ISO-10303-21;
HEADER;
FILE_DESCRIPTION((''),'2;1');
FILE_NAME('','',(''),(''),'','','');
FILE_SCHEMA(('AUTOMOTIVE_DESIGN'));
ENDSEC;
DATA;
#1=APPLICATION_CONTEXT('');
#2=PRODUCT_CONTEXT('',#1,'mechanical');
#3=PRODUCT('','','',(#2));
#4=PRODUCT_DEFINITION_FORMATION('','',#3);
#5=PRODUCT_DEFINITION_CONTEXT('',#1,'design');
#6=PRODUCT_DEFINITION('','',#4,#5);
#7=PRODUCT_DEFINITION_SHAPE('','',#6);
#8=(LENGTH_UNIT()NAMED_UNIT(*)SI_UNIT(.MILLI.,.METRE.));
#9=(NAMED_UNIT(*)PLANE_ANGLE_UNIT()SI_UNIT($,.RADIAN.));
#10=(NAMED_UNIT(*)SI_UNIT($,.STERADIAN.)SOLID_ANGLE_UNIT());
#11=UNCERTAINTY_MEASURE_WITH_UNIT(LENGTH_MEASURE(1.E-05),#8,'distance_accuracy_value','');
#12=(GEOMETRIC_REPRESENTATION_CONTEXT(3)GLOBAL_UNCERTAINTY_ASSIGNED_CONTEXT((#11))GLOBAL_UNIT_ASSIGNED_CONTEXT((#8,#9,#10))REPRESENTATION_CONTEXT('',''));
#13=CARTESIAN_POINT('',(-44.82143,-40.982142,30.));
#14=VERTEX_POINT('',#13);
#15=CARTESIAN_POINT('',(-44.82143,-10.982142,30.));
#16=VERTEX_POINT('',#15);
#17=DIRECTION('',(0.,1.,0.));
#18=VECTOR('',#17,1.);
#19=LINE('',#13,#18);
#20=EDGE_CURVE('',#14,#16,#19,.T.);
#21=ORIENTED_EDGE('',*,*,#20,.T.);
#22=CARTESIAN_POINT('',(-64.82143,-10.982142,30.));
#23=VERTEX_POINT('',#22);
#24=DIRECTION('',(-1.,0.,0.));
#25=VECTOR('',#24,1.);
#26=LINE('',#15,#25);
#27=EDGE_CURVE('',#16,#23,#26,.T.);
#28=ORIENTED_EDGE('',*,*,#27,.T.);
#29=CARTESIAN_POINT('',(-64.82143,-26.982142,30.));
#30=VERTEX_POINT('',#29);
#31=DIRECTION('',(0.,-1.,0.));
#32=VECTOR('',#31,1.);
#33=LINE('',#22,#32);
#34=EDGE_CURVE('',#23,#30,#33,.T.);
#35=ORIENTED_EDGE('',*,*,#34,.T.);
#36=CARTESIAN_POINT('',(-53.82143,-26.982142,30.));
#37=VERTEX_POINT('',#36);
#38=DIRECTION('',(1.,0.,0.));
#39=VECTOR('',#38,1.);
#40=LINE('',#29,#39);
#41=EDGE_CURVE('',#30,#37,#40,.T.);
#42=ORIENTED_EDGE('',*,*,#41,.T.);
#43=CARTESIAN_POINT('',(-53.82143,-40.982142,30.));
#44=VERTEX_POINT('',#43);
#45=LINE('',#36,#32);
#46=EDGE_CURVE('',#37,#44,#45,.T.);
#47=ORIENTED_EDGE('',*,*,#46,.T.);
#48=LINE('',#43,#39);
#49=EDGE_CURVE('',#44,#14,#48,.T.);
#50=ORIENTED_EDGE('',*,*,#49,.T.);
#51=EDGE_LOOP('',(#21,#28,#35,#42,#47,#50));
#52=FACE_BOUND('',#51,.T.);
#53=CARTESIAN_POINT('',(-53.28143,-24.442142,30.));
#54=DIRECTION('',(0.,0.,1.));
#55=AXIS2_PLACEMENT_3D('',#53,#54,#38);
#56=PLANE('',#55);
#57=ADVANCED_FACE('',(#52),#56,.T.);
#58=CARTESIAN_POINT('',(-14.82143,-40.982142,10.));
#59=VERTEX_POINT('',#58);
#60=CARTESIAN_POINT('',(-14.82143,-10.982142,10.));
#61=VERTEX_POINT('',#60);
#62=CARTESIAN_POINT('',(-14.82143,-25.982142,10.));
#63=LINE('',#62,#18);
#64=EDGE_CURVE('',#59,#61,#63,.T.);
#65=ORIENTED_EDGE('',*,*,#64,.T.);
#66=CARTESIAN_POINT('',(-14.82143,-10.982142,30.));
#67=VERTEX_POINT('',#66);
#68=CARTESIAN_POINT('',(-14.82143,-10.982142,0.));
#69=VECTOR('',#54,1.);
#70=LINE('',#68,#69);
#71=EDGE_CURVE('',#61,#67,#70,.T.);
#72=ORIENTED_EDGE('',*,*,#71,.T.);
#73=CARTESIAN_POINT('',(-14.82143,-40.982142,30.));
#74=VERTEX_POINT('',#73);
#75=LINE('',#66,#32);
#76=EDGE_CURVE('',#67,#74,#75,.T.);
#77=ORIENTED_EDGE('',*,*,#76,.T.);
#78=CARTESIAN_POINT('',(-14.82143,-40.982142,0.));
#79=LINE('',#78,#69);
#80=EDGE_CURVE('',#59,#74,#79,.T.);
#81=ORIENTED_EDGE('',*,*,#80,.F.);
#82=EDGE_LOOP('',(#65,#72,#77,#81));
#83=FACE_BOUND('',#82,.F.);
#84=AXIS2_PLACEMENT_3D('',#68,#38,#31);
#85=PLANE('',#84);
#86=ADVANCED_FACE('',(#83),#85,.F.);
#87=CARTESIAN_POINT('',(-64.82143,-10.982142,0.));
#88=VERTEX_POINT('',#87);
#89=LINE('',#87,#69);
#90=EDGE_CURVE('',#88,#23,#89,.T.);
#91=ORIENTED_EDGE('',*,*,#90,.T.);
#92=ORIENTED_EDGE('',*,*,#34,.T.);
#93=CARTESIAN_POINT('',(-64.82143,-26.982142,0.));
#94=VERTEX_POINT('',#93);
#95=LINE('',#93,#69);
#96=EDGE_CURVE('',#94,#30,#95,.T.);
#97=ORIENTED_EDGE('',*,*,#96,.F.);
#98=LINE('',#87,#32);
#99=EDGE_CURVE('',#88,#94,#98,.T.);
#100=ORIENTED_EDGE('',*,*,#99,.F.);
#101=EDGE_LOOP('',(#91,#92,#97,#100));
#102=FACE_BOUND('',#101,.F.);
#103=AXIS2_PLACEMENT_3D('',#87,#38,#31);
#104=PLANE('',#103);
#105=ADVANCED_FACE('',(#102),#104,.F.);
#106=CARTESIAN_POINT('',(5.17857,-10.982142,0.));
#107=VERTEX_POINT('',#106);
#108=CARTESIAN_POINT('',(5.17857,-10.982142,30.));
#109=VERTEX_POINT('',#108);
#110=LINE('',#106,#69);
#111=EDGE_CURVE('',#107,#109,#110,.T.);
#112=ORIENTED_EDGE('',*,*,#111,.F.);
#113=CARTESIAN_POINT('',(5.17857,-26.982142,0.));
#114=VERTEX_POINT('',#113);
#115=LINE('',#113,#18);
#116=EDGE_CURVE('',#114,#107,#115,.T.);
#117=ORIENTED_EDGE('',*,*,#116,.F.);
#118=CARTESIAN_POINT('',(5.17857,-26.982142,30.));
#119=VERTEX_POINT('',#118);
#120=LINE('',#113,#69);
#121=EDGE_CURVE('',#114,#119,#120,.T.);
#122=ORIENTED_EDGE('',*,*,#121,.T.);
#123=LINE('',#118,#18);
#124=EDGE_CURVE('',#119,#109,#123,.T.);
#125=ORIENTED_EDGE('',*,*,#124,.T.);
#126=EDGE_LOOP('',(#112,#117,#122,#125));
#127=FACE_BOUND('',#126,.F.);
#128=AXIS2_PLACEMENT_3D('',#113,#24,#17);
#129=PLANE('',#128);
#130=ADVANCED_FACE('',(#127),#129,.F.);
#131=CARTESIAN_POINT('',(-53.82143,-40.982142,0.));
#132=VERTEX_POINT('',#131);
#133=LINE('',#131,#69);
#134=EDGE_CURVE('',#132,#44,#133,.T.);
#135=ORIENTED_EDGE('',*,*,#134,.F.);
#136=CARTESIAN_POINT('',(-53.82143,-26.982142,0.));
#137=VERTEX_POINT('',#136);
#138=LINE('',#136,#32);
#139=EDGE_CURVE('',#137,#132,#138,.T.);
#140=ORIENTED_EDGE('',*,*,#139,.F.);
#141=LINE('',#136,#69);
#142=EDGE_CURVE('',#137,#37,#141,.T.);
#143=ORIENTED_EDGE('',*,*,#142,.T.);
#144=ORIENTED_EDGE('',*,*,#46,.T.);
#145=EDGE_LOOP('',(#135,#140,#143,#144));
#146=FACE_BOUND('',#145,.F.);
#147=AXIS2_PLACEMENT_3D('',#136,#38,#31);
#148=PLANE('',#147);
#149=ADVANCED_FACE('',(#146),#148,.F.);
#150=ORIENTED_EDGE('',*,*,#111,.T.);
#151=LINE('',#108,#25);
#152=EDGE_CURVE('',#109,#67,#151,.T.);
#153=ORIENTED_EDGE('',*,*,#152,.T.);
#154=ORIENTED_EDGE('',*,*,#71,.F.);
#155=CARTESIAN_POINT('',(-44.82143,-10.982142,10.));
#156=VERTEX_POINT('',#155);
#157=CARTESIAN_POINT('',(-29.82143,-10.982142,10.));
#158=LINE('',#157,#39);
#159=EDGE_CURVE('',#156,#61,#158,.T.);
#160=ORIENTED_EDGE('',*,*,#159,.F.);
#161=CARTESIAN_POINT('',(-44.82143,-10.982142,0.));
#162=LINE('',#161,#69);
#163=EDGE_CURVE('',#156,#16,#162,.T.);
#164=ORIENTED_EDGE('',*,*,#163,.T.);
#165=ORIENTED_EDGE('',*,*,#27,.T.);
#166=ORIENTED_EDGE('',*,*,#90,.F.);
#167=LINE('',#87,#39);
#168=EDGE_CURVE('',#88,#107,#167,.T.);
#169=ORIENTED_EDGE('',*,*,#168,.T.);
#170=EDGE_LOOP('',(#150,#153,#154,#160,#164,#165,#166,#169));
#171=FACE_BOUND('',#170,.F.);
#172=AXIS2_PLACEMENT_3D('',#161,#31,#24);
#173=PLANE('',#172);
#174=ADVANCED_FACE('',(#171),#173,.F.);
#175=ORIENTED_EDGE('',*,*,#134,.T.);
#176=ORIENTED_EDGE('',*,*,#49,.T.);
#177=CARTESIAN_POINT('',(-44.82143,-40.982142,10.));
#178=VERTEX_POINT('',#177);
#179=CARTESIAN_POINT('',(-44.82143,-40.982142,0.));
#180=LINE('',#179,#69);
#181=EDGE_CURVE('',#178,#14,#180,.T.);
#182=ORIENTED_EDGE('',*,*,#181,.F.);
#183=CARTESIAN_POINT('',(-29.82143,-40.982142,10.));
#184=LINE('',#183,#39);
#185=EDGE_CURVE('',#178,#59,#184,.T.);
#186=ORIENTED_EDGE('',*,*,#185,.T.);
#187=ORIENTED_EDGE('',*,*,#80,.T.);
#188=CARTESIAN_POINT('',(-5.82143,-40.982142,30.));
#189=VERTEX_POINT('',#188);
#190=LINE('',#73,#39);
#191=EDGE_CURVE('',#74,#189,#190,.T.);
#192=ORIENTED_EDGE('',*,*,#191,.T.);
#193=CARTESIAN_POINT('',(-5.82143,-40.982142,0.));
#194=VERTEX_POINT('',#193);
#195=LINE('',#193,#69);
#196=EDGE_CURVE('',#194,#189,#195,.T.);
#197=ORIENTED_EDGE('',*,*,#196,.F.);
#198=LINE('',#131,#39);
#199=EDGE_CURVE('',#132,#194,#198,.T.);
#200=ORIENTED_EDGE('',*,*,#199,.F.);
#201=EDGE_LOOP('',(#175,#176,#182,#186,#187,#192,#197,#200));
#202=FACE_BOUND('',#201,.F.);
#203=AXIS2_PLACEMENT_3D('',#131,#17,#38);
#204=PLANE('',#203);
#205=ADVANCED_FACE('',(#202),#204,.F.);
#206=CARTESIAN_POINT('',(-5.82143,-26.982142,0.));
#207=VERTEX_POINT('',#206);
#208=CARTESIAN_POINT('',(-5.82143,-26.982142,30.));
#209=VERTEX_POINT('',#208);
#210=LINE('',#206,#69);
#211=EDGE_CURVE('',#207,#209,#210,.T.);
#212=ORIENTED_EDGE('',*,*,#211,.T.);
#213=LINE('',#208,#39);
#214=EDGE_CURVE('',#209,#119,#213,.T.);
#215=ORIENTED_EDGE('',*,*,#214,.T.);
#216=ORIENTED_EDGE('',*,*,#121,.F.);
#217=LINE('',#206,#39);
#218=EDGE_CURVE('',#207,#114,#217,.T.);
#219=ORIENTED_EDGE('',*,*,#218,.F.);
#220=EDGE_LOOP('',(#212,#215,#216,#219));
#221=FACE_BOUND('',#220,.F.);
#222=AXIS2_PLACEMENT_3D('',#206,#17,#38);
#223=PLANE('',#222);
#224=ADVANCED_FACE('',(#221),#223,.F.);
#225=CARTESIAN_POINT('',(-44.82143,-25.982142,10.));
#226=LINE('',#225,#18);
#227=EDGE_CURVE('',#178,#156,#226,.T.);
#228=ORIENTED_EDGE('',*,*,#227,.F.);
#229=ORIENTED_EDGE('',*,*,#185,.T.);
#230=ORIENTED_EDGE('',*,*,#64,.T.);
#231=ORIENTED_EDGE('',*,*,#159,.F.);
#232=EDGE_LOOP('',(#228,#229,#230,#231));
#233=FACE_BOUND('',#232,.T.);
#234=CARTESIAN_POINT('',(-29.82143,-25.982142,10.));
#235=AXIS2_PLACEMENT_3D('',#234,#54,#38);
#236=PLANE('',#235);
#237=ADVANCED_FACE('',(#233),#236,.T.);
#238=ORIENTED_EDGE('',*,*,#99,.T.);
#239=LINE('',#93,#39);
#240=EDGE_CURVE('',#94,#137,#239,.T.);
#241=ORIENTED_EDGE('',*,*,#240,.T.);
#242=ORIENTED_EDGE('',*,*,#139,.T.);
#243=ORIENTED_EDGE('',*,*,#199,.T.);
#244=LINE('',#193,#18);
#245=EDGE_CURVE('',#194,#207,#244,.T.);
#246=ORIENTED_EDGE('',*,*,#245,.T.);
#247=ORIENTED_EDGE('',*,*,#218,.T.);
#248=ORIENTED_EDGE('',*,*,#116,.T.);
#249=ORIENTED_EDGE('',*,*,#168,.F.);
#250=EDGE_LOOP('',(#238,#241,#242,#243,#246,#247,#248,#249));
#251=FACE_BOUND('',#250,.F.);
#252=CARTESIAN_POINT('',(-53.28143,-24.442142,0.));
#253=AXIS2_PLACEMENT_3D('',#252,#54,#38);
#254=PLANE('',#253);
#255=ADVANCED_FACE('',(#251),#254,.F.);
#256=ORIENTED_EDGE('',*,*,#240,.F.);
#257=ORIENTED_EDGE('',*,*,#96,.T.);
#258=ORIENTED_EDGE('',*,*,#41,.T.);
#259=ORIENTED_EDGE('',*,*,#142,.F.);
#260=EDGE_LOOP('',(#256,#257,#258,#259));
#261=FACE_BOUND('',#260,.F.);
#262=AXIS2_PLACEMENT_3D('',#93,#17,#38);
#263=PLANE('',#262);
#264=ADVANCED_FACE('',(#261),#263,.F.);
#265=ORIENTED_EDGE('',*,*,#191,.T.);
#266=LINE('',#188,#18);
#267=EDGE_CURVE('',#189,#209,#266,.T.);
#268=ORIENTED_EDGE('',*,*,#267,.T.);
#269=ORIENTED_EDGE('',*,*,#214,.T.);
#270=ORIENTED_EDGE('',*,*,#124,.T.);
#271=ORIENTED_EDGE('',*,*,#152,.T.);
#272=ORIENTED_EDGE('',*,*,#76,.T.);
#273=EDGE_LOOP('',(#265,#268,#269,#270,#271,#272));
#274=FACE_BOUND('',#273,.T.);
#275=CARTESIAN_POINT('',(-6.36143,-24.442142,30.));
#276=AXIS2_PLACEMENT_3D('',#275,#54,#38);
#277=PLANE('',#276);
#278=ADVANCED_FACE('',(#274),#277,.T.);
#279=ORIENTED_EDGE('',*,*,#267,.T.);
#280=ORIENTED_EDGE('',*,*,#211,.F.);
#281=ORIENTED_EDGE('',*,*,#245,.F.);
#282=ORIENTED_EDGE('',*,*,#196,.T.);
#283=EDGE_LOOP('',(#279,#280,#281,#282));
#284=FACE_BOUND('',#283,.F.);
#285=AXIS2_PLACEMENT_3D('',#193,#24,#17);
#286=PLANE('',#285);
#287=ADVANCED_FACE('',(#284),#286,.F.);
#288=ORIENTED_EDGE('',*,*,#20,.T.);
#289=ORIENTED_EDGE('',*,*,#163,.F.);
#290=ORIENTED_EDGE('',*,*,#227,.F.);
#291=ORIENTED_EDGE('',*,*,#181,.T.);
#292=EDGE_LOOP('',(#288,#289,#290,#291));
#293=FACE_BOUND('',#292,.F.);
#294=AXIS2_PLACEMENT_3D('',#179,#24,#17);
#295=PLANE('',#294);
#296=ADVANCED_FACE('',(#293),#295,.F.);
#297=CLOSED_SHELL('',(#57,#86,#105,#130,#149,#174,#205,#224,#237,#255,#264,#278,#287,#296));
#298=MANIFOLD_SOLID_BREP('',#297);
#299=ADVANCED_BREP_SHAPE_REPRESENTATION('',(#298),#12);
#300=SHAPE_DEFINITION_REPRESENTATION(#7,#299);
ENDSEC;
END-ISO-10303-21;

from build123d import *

# Parameters (mm, degrees)
F0_W     = 30
F0_H     = 30
F1_DEPTH = 10
F2_DEPTH = 30


with BuildPart() as f1:
    # F0 (on Top) → F1 (new body)
    with BuildSketch(Plane.XY):
        with Locations((-29.82143, -25.982142)):
            Rectangle(F0_W, F0_H)
    extrude(amount=F1_DEPTH)

    # F0 (on Top) → F2 (join)
    with BuildSketch(Plane.XY):
        Polygon((-53.82143, -26.982142), (-53.82143, -40.982142), (-44.82143, -40.982142), (-44.82143, -10.982142), (-64.82143, -10.982142), (-64.82143, -26.982142), align=None)
        Polygon((-14.82143, -10.982142), (-14.82143, -40.982142), (-5.82143, -40.982142), (-5.82143, -26.982142), (5.17857, -26.982142), (5.17857, -10.982142), align=None)
    extrude(amount=F2_DEPTH)


solid = f1.part
